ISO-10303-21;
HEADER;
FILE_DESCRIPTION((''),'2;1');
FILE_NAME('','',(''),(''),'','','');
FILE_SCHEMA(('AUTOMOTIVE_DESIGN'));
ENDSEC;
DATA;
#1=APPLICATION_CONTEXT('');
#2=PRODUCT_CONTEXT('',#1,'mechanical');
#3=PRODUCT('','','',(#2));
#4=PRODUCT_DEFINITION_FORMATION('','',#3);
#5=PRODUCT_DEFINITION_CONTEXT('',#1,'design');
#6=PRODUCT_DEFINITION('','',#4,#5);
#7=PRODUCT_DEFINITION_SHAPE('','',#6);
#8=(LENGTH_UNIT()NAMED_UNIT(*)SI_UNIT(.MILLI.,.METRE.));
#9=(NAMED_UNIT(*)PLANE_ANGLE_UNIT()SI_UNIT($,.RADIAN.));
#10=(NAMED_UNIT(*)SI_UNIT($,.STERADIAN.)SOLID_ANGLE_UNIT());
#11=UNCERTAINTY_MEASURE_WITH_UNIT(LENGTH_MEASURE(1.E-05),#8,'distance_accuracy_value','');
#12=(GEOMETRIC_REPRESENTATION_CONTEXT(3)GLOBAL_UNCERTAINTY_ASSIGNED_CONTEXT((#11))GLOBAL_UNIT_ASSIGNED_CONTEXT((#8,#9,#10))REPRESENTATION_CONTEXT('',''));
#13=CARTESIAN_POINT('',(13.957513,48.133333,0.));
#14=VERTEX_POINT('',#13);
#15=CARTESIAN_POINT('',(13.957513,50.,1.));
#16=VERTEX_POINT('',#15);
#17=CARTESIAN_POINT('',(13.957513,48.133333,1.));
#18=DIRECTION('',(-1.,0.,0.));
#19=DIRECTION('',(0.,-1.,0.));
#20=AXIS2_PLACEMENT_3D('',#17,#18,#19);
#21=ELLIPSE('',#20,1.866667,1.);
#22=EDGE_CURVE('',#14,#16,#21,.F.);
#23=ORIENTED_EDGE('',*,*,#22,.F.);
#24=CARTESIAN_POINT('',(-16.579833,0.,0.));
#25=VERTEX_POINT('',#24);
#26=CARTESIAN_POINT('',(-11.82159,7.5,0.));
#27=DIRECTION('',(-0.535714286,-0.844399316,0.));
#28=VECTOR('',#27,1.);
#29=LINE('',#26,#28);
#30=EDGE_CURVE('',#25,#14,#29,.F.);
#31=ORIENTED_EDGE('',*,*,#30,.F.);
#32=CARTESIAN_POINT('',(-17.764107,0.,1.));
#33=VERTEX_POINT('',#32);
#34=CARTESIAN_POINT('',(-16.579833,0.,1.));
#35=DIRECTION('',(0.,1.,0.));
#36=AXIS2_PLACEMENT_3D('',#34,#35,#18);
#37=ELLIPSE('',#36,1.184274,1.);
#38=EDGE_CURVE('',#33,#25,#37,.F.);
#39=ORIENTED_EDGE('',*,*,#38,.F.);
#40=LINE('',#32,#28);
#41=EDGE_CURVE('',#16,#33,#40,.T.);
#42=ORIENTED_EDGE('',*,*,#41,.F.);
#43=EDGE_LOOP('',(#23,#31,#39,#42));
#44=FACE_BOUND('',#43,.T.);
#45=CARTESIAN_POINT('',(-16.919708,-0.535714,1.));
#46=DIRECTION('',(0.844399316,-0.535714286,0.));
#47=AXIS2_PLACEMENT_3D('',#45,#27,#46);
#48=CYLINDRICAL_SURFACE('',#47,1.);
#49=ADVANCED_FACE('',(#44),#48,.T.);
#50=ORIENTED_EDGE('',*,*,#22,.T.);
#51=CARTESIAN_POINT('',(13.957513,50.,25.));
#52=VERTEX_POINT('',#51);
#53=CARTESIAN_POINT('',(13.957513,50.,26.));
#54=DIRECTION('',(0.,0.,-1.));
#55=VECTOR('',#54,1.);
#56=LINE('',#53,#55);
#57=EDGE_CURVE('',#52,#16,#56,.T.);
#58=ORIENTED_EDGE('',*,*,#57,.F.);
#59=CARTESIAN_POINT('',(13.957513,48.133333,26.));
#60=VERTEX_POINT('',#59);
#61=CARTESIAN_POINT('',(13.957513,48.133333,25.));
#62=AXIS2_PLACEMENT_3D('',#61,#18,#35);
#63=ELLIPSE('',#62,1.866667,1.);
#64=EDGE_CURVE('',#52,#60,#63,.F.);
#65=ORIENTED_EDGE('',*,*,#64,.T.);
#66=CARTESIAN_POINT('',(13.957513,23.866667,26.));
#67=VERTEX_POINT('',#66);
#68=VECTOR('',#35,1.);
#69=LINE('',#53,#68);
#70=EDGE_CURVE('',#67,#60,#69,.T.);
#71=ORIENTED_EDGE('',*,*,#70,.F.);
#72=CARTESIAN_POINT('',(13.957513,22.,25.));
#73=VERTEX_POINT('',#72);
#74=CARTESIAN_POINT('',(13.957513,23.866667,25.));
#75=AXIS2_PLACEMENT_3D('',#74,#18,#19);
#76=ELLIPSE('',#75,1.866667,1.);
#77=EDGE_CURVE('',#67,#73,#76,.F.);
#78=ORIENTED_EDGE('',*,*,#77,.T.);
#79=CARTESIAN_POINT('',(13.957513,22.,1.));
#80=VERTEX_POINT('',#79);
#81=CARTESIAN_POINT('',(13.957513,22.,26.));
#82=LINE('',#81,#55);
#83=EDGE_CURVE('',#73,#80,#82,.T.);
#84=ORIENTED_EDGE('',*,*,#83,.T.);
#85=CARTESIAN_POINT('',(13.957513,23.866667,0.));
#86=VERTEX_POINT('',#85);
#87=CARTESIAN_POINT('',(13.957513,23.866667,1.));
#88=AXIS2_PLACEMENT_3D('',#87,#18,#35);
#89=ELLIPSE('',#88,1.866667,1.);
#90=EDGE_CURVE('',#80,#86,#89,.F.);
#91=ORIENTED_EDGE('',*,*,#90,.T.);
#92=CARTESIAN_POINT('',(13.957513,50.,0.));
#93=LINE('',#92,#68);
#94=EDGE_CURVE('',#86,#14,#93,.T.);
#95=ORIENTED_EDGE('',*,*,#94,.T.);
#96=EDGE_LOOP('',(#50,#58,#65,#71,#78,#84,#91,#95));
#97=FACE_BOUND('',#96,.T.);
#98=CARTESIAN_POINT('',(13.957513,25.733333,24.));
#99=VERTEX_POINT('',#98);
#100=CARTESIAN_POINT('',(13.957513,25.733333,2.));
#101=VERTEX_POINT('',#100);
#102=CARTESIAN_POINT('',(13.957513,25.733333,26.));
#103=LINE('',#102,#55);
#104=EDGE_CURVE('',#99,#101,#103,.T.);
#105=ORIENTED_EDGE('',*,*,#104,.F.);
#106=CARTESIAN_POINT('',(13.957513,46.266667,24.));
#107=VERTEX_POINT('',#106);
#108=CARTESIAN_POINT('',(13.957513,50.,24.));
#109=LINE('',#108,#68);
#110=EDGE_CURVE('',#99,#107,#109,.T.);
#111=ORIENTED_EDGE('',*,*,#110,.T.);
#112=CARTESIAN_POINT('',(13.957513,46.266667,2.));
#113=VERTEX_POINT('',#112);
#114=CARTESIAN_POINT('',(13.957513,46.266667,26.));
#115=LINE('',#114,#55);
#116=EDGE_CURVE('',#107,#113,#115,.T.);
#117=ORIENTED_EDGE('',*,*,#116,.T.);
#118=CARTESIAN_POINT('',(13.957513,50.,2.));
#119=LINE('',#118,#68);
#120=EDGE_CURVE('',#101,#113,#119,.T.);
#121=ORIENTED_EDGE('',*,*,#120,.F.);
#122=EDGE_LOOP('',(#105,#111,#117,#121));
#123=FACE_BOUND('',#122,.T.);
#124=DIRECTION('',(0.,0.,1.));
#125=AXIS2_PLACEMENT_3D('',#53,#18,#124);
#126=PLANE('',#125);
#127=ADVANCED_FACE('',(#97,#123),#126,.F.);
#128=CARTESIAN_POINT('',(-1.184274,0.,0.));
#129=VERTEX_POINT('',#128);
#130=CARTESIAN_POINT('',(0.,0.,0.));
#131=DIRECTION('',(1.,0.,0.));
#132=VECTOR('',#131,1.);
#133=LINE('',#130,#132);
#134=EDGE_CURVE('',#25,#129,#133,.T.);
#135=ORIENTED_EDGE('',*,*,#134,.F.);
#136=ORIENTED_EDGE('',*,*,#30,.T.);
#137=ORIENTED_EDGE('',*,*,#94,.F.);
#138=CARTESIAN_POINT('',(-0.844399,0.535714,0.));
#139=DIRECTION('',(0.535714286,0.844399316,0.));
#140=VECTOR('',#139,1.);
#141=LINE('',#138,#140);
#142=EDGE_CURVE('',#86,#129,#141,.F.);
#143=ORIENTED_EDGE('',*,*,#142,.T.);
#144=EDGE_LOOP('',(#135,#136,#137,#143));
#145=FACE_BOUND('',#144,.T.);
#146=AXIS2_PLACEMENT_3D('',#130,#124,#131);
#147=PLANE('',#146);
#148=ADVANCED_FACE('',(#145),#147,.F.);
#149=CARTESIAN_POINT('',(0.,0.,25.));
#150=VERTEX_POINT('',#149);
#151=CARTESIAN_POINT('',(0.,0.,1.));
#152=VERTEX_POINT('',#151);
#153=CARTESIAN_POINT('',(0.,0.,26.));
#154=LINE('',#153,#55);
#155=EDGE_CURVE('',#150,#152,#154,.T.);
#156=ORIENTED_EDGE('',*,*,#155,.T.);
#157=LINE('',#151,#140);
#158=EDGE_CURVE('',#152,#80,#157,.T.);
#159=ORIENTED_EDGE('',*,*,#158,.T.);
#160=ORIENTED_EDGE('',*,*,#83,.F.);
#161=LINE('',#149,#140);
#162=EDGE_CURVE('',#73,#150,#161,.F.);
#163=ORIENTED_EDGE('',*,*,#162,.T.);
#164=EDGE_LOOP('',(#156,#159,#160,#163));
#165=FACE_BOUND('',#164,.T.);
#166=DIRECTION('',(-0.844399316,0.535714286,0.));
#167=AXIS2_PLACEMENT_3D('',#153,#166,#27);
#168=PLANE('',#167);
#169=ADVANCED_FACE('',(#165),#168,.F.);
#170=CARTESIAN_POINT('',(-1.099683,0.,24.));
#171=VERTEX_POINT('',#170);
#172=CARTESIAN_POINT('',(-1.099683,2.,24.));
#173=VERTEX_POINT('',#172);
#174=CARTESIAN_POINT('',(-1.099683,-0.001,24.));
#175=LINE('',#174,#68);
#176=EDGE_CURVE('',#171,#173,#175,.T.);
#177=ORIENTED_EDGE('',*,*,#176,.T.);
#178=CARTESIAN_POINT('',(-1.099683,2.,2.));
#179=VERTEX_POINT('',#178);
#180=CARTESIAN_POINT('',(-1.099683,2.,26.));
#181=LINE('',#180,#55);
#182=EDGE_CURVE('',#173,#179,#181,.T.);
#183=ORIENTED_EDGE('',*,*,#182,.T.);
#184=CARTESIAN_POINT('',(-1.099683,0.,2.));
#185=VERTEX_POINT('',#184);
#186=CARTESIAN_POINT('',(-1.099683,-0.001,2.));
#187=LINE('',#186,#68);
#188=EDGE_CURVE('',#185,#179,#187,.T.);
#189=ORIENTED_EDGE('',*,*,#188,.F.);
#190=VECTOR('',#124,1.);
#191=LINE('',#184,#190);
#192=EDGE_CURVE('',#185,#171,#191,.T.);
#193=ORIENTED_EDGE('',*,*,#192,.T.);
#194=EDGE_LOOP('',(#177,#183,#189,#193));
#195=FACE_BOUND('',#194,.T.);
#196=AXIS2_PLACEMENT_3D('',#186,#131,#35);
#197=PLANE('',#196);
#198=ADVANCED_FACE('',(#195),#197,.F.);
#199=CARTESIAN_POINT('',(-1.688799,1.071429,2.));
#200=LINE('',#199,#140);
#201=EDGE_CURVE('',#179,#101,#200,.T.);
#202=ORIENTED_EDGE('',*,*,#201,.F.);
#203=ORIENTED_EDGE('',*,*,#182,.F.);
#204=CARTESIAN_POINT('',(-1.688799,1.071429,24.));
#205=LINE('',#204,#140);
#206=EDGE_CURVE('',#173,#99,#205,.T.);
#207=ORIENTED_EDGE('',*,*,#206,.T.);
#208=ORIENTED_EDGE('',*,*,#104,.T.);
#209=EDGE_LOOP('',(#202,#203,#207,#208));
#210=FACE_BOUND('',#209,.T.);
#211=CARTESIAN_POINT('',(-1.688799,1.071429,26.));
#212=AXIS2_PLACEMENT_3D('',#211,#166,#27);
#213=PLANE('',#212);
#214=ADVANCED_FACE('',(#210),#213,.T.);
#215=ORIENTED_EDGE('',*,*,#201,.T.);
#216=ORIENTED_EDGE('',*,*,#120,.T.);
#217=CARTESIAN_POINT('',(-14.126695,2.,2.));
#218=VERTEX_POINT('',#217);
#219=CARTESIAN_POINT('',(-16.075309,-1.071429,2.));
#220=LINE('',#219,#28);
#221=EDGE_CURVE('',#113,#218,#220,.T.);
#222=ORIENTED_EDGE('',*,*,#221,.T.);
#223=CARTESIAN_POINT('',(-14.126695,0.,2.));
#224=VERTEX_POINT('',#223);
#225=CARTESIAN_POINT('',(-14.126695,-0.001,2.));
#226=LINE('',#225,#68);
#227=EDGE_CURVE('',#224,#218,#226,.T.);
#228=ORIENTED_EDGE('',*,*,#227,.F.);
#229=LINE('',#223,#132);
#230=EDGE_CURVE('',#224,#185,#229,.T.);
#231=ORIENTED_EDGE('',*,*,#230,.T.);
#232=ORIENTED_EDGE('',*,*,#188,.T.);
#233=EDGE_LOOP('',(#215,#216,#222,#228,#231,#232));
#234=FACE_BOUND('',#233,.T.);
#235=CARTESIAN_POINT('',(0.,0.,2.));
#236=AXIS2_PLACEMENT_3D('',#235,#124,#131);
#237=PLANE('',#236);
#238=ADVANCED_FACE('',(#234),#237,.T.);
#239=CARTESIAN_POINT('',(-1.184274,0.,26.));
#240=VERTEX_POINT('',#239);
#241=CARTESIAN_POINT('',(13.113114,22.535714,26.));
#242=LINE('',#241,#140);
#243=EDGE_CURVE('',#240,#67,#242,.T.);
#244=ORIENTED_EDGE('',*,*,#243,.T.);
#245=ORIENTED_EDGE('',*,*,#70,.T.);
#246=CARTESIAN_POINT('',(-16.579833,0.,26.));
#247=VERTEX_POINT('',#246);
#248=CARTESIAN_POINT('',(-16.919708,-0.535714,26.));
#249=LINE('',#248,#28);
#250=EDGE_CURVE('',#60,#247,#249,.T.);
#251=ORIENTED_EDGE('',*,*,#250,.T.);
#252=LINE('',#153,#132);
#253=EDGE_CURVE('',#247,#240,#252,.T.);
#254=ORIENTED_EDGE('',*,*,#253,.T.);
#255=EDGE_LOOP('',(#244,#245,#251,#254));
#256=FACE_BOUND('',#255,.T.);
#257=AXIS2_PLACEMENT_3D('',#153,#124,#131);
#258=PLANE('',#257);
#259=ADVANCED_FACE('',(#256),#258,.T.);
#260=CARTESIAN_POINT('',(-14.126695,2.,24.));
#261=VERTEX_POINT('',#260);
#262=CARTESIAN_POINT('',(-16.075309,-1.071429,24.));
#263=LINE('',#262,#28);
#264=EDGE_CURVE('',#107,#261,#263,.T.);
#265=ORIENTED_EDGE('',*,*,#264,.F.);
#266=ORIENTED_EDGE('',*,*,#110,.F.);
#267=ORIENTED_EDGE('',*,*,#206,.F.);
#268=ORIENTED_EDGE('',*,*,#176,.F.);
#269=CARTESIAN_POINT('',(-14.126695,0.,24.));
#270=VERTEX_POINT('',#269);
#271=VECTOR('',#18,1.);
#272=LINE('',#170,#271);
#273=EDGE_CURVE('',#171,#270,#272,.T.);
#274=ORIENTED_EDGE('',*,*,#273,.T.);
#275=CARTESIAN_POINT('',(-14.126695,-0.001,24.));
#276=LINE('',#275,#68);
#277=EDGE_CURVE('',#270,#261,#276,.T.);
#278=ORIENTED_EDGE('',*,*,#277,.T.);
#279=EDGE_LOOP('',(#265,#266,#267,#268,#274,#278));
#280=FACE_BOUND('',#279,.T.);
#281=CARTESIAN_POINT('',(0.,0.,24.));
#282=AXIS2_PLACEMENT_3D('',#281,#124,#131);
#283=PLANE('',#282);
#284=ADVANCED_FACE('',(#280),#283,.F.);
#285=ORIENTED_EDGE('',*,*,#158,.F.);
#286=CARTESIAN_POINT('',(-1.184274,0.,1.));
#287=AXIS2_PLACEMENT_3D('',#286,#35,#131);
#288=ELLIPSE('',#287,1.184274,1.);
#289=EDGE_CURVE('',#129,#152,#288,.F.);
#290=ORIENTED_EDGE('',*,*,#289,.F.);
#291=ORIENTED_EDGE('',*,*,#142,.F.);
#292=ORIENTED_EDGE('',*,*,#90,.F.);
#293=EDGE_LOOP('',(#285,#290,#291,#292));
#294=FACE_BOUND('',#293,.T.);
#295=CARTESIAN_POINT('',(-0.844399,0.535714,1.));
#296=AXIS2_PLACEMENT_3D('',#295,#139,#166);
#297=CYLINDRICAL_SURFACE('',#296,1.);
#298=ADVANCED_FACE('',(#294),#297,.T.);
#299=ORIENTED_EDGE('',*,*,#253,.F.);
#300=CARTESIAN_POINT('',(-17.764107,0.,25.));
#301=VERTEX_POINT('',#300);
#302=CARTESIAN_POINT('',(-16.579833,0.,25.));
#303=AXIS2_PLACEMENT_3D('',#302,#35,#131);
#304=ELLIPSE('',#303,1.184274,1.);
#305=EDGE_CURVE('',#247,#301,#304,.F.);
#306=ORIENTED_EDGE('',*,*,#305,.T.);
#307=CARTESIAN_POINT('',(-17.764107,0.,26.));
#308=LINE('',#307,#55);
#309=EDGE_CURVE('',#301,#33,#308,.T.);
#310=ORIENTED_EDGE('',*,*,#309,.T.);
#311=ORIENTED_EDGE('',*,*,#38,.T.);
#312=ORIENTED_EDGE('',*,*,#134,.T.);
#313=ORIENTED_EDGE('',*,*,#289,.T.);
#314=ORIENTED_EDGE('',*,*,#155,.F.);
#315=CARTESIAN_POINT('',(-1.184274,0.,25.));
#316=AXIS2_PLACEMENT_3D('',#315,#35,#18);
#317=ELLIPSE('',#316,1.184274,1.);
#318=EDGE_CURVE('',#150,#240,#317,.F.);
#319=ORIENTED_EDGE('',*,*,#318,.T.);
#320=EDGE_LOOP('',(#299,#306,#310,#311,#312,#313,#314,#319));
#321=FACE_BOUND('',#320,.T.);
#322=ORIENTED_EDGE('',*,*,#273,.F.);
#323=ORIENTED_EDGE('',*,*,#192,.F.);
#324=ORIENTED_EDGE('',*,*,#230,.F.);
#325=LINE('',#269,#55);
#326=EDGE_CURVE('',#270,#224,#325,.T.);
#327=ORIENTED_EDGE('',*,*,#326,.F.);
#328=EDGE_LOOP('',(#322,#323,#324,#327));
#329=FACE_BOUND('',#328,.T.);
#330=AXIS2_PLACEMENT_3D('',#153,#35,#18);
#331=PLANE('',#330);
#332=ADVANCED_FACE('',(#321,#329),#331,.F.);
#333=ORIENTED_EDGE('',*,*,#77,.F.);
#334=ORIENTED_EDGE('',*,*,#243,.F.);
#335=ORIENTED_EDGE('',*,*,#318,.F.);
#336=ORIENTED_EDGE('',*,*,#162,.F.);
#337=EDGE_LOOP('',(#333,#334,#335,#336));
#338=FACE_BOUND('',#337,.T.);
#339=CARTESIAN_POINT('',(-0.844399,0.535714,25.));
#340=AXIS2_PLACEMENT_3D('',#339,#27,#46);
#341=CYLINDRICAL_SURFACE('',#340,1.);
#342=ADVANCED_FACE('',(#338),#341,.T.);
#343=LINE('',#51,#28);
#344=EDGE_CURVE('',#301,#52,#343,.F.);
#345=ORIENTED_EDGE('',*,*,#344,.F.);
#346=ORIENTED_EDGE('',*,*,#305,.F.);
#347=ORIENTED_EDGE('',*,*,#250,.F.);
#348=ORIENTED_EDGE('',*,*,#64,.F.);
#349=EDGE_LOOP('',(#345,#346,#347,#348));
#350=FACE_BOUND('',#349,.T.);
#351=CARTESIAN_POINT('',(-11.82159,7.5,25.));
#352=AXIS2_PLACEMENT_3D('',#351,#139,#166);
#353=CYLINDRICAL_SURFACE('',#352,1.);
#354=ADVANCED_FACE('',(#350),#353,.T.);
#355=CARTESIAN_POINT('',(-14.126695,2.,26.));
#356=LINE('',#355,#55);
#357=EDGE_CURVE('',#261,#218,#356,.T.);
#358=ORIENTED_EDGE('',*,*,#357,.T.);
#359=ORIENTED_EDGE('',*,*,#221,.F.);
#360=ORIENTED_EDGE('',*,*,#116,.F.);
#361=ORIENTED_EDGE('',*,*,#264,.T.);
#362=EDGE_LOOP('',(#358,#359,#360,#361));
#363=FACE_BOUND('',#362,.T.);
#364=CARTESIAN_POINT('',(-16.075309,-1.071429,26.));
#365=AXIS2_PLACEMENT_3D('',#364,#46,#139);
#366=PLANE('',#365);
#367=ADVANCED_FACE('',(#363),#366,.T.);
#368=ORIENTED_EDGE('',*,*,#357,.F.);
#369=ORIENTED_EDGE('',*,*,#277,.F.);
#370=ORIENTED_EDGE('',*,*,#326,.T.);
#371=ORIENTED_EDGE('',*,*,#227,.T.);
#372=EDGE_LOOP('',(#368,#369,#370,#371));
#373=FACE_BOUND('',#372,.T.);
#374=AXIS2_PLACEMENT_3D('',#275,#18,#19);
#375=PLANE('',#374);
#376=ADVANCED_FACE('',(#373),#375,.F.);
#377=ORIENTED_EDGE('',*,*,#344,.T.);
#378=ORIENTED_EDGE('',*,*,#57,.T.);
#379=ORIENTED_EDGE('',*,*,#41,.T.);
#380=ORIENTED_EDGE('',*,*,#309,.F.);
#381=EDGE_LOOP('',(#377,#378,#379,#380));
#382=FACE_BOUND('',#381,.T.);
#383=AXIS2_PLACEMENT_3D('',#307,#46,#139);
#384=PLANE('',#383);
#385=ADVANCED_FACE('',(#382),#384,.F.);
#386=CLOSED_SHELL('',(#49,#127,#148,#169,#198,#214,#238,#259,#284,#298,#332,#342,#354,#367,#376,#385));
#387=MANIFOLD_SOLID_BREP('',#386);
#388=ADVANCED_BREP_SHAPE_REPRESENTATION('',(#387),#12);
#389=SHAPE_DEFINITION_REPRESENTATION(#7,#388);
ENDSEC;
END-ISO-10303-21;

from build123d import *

# Parameters (mm, degrees)
BOSS_EXTRUDE1_DEPTH = 26
SHELL1_T            = -2
CUT_EXTRUDE1_REACH  = 59.407
SKETCH2_W           = 13.02701198
SKETCH2_H           = 22
FILLET1_R           = 1


with BuildPart() as part:
    # Sketch1 → Boss-Extrude1 (new body)
    with BuildSketch(Plane.XY):
        Polygon((0, 0), (-17.764107246, 0), (13.957512836, 50), (13.957512836, 22), align=None)
    extrude(amount=BOSS_EXTRUDE1_DEPTH)

    # Shell1
    shell1_openings = [part.faces().sort_by_distance(p)[0] for p in [
        (13.957512836, 36, 13),
    ]]
    offset(amount=SHELL1_T, openings=shell1_openings, kind=Kind.INTERSECTION)

    # Sketch2 → Cut-Extrude1 (cut, up to next)
    with BuildSketch(Plane(origin=(0, 2, 0), x_dir=(1, 0, 0), z_dir=(0, 1, 0)), mode=Mode.PRIVATE) as cut_extrude1_sk1:
        with Locations((-7.61318882, -13)):
            Rectangle(SKETCH2_W, SKETCH2_H)
    cut_extrude1_tool1 = extrude(cut_extrude1_sk1.sketch, amount=-CUT_EXTRUDE1_REACH, mode=Mode.PRIVATE) & part.part
    add(cut_extrude1_tool1.solids().sort_by_distance((-7.613189, 2, 13))[0], mode=Mode.SUBTRACT)

    # Fillet1
    fillet1_edges = [part.edges().sort_by_distance(p)[0] for p in [
        (-1.903297205, 25, 26),
        (6.978756418, 11, 26),
        (-1.903297205, 25, 0),
        (6.978756418, 11, 0),
    ]]
    fillet(fillet1_edges, radius=FILLET1_R)


solid = part.part
